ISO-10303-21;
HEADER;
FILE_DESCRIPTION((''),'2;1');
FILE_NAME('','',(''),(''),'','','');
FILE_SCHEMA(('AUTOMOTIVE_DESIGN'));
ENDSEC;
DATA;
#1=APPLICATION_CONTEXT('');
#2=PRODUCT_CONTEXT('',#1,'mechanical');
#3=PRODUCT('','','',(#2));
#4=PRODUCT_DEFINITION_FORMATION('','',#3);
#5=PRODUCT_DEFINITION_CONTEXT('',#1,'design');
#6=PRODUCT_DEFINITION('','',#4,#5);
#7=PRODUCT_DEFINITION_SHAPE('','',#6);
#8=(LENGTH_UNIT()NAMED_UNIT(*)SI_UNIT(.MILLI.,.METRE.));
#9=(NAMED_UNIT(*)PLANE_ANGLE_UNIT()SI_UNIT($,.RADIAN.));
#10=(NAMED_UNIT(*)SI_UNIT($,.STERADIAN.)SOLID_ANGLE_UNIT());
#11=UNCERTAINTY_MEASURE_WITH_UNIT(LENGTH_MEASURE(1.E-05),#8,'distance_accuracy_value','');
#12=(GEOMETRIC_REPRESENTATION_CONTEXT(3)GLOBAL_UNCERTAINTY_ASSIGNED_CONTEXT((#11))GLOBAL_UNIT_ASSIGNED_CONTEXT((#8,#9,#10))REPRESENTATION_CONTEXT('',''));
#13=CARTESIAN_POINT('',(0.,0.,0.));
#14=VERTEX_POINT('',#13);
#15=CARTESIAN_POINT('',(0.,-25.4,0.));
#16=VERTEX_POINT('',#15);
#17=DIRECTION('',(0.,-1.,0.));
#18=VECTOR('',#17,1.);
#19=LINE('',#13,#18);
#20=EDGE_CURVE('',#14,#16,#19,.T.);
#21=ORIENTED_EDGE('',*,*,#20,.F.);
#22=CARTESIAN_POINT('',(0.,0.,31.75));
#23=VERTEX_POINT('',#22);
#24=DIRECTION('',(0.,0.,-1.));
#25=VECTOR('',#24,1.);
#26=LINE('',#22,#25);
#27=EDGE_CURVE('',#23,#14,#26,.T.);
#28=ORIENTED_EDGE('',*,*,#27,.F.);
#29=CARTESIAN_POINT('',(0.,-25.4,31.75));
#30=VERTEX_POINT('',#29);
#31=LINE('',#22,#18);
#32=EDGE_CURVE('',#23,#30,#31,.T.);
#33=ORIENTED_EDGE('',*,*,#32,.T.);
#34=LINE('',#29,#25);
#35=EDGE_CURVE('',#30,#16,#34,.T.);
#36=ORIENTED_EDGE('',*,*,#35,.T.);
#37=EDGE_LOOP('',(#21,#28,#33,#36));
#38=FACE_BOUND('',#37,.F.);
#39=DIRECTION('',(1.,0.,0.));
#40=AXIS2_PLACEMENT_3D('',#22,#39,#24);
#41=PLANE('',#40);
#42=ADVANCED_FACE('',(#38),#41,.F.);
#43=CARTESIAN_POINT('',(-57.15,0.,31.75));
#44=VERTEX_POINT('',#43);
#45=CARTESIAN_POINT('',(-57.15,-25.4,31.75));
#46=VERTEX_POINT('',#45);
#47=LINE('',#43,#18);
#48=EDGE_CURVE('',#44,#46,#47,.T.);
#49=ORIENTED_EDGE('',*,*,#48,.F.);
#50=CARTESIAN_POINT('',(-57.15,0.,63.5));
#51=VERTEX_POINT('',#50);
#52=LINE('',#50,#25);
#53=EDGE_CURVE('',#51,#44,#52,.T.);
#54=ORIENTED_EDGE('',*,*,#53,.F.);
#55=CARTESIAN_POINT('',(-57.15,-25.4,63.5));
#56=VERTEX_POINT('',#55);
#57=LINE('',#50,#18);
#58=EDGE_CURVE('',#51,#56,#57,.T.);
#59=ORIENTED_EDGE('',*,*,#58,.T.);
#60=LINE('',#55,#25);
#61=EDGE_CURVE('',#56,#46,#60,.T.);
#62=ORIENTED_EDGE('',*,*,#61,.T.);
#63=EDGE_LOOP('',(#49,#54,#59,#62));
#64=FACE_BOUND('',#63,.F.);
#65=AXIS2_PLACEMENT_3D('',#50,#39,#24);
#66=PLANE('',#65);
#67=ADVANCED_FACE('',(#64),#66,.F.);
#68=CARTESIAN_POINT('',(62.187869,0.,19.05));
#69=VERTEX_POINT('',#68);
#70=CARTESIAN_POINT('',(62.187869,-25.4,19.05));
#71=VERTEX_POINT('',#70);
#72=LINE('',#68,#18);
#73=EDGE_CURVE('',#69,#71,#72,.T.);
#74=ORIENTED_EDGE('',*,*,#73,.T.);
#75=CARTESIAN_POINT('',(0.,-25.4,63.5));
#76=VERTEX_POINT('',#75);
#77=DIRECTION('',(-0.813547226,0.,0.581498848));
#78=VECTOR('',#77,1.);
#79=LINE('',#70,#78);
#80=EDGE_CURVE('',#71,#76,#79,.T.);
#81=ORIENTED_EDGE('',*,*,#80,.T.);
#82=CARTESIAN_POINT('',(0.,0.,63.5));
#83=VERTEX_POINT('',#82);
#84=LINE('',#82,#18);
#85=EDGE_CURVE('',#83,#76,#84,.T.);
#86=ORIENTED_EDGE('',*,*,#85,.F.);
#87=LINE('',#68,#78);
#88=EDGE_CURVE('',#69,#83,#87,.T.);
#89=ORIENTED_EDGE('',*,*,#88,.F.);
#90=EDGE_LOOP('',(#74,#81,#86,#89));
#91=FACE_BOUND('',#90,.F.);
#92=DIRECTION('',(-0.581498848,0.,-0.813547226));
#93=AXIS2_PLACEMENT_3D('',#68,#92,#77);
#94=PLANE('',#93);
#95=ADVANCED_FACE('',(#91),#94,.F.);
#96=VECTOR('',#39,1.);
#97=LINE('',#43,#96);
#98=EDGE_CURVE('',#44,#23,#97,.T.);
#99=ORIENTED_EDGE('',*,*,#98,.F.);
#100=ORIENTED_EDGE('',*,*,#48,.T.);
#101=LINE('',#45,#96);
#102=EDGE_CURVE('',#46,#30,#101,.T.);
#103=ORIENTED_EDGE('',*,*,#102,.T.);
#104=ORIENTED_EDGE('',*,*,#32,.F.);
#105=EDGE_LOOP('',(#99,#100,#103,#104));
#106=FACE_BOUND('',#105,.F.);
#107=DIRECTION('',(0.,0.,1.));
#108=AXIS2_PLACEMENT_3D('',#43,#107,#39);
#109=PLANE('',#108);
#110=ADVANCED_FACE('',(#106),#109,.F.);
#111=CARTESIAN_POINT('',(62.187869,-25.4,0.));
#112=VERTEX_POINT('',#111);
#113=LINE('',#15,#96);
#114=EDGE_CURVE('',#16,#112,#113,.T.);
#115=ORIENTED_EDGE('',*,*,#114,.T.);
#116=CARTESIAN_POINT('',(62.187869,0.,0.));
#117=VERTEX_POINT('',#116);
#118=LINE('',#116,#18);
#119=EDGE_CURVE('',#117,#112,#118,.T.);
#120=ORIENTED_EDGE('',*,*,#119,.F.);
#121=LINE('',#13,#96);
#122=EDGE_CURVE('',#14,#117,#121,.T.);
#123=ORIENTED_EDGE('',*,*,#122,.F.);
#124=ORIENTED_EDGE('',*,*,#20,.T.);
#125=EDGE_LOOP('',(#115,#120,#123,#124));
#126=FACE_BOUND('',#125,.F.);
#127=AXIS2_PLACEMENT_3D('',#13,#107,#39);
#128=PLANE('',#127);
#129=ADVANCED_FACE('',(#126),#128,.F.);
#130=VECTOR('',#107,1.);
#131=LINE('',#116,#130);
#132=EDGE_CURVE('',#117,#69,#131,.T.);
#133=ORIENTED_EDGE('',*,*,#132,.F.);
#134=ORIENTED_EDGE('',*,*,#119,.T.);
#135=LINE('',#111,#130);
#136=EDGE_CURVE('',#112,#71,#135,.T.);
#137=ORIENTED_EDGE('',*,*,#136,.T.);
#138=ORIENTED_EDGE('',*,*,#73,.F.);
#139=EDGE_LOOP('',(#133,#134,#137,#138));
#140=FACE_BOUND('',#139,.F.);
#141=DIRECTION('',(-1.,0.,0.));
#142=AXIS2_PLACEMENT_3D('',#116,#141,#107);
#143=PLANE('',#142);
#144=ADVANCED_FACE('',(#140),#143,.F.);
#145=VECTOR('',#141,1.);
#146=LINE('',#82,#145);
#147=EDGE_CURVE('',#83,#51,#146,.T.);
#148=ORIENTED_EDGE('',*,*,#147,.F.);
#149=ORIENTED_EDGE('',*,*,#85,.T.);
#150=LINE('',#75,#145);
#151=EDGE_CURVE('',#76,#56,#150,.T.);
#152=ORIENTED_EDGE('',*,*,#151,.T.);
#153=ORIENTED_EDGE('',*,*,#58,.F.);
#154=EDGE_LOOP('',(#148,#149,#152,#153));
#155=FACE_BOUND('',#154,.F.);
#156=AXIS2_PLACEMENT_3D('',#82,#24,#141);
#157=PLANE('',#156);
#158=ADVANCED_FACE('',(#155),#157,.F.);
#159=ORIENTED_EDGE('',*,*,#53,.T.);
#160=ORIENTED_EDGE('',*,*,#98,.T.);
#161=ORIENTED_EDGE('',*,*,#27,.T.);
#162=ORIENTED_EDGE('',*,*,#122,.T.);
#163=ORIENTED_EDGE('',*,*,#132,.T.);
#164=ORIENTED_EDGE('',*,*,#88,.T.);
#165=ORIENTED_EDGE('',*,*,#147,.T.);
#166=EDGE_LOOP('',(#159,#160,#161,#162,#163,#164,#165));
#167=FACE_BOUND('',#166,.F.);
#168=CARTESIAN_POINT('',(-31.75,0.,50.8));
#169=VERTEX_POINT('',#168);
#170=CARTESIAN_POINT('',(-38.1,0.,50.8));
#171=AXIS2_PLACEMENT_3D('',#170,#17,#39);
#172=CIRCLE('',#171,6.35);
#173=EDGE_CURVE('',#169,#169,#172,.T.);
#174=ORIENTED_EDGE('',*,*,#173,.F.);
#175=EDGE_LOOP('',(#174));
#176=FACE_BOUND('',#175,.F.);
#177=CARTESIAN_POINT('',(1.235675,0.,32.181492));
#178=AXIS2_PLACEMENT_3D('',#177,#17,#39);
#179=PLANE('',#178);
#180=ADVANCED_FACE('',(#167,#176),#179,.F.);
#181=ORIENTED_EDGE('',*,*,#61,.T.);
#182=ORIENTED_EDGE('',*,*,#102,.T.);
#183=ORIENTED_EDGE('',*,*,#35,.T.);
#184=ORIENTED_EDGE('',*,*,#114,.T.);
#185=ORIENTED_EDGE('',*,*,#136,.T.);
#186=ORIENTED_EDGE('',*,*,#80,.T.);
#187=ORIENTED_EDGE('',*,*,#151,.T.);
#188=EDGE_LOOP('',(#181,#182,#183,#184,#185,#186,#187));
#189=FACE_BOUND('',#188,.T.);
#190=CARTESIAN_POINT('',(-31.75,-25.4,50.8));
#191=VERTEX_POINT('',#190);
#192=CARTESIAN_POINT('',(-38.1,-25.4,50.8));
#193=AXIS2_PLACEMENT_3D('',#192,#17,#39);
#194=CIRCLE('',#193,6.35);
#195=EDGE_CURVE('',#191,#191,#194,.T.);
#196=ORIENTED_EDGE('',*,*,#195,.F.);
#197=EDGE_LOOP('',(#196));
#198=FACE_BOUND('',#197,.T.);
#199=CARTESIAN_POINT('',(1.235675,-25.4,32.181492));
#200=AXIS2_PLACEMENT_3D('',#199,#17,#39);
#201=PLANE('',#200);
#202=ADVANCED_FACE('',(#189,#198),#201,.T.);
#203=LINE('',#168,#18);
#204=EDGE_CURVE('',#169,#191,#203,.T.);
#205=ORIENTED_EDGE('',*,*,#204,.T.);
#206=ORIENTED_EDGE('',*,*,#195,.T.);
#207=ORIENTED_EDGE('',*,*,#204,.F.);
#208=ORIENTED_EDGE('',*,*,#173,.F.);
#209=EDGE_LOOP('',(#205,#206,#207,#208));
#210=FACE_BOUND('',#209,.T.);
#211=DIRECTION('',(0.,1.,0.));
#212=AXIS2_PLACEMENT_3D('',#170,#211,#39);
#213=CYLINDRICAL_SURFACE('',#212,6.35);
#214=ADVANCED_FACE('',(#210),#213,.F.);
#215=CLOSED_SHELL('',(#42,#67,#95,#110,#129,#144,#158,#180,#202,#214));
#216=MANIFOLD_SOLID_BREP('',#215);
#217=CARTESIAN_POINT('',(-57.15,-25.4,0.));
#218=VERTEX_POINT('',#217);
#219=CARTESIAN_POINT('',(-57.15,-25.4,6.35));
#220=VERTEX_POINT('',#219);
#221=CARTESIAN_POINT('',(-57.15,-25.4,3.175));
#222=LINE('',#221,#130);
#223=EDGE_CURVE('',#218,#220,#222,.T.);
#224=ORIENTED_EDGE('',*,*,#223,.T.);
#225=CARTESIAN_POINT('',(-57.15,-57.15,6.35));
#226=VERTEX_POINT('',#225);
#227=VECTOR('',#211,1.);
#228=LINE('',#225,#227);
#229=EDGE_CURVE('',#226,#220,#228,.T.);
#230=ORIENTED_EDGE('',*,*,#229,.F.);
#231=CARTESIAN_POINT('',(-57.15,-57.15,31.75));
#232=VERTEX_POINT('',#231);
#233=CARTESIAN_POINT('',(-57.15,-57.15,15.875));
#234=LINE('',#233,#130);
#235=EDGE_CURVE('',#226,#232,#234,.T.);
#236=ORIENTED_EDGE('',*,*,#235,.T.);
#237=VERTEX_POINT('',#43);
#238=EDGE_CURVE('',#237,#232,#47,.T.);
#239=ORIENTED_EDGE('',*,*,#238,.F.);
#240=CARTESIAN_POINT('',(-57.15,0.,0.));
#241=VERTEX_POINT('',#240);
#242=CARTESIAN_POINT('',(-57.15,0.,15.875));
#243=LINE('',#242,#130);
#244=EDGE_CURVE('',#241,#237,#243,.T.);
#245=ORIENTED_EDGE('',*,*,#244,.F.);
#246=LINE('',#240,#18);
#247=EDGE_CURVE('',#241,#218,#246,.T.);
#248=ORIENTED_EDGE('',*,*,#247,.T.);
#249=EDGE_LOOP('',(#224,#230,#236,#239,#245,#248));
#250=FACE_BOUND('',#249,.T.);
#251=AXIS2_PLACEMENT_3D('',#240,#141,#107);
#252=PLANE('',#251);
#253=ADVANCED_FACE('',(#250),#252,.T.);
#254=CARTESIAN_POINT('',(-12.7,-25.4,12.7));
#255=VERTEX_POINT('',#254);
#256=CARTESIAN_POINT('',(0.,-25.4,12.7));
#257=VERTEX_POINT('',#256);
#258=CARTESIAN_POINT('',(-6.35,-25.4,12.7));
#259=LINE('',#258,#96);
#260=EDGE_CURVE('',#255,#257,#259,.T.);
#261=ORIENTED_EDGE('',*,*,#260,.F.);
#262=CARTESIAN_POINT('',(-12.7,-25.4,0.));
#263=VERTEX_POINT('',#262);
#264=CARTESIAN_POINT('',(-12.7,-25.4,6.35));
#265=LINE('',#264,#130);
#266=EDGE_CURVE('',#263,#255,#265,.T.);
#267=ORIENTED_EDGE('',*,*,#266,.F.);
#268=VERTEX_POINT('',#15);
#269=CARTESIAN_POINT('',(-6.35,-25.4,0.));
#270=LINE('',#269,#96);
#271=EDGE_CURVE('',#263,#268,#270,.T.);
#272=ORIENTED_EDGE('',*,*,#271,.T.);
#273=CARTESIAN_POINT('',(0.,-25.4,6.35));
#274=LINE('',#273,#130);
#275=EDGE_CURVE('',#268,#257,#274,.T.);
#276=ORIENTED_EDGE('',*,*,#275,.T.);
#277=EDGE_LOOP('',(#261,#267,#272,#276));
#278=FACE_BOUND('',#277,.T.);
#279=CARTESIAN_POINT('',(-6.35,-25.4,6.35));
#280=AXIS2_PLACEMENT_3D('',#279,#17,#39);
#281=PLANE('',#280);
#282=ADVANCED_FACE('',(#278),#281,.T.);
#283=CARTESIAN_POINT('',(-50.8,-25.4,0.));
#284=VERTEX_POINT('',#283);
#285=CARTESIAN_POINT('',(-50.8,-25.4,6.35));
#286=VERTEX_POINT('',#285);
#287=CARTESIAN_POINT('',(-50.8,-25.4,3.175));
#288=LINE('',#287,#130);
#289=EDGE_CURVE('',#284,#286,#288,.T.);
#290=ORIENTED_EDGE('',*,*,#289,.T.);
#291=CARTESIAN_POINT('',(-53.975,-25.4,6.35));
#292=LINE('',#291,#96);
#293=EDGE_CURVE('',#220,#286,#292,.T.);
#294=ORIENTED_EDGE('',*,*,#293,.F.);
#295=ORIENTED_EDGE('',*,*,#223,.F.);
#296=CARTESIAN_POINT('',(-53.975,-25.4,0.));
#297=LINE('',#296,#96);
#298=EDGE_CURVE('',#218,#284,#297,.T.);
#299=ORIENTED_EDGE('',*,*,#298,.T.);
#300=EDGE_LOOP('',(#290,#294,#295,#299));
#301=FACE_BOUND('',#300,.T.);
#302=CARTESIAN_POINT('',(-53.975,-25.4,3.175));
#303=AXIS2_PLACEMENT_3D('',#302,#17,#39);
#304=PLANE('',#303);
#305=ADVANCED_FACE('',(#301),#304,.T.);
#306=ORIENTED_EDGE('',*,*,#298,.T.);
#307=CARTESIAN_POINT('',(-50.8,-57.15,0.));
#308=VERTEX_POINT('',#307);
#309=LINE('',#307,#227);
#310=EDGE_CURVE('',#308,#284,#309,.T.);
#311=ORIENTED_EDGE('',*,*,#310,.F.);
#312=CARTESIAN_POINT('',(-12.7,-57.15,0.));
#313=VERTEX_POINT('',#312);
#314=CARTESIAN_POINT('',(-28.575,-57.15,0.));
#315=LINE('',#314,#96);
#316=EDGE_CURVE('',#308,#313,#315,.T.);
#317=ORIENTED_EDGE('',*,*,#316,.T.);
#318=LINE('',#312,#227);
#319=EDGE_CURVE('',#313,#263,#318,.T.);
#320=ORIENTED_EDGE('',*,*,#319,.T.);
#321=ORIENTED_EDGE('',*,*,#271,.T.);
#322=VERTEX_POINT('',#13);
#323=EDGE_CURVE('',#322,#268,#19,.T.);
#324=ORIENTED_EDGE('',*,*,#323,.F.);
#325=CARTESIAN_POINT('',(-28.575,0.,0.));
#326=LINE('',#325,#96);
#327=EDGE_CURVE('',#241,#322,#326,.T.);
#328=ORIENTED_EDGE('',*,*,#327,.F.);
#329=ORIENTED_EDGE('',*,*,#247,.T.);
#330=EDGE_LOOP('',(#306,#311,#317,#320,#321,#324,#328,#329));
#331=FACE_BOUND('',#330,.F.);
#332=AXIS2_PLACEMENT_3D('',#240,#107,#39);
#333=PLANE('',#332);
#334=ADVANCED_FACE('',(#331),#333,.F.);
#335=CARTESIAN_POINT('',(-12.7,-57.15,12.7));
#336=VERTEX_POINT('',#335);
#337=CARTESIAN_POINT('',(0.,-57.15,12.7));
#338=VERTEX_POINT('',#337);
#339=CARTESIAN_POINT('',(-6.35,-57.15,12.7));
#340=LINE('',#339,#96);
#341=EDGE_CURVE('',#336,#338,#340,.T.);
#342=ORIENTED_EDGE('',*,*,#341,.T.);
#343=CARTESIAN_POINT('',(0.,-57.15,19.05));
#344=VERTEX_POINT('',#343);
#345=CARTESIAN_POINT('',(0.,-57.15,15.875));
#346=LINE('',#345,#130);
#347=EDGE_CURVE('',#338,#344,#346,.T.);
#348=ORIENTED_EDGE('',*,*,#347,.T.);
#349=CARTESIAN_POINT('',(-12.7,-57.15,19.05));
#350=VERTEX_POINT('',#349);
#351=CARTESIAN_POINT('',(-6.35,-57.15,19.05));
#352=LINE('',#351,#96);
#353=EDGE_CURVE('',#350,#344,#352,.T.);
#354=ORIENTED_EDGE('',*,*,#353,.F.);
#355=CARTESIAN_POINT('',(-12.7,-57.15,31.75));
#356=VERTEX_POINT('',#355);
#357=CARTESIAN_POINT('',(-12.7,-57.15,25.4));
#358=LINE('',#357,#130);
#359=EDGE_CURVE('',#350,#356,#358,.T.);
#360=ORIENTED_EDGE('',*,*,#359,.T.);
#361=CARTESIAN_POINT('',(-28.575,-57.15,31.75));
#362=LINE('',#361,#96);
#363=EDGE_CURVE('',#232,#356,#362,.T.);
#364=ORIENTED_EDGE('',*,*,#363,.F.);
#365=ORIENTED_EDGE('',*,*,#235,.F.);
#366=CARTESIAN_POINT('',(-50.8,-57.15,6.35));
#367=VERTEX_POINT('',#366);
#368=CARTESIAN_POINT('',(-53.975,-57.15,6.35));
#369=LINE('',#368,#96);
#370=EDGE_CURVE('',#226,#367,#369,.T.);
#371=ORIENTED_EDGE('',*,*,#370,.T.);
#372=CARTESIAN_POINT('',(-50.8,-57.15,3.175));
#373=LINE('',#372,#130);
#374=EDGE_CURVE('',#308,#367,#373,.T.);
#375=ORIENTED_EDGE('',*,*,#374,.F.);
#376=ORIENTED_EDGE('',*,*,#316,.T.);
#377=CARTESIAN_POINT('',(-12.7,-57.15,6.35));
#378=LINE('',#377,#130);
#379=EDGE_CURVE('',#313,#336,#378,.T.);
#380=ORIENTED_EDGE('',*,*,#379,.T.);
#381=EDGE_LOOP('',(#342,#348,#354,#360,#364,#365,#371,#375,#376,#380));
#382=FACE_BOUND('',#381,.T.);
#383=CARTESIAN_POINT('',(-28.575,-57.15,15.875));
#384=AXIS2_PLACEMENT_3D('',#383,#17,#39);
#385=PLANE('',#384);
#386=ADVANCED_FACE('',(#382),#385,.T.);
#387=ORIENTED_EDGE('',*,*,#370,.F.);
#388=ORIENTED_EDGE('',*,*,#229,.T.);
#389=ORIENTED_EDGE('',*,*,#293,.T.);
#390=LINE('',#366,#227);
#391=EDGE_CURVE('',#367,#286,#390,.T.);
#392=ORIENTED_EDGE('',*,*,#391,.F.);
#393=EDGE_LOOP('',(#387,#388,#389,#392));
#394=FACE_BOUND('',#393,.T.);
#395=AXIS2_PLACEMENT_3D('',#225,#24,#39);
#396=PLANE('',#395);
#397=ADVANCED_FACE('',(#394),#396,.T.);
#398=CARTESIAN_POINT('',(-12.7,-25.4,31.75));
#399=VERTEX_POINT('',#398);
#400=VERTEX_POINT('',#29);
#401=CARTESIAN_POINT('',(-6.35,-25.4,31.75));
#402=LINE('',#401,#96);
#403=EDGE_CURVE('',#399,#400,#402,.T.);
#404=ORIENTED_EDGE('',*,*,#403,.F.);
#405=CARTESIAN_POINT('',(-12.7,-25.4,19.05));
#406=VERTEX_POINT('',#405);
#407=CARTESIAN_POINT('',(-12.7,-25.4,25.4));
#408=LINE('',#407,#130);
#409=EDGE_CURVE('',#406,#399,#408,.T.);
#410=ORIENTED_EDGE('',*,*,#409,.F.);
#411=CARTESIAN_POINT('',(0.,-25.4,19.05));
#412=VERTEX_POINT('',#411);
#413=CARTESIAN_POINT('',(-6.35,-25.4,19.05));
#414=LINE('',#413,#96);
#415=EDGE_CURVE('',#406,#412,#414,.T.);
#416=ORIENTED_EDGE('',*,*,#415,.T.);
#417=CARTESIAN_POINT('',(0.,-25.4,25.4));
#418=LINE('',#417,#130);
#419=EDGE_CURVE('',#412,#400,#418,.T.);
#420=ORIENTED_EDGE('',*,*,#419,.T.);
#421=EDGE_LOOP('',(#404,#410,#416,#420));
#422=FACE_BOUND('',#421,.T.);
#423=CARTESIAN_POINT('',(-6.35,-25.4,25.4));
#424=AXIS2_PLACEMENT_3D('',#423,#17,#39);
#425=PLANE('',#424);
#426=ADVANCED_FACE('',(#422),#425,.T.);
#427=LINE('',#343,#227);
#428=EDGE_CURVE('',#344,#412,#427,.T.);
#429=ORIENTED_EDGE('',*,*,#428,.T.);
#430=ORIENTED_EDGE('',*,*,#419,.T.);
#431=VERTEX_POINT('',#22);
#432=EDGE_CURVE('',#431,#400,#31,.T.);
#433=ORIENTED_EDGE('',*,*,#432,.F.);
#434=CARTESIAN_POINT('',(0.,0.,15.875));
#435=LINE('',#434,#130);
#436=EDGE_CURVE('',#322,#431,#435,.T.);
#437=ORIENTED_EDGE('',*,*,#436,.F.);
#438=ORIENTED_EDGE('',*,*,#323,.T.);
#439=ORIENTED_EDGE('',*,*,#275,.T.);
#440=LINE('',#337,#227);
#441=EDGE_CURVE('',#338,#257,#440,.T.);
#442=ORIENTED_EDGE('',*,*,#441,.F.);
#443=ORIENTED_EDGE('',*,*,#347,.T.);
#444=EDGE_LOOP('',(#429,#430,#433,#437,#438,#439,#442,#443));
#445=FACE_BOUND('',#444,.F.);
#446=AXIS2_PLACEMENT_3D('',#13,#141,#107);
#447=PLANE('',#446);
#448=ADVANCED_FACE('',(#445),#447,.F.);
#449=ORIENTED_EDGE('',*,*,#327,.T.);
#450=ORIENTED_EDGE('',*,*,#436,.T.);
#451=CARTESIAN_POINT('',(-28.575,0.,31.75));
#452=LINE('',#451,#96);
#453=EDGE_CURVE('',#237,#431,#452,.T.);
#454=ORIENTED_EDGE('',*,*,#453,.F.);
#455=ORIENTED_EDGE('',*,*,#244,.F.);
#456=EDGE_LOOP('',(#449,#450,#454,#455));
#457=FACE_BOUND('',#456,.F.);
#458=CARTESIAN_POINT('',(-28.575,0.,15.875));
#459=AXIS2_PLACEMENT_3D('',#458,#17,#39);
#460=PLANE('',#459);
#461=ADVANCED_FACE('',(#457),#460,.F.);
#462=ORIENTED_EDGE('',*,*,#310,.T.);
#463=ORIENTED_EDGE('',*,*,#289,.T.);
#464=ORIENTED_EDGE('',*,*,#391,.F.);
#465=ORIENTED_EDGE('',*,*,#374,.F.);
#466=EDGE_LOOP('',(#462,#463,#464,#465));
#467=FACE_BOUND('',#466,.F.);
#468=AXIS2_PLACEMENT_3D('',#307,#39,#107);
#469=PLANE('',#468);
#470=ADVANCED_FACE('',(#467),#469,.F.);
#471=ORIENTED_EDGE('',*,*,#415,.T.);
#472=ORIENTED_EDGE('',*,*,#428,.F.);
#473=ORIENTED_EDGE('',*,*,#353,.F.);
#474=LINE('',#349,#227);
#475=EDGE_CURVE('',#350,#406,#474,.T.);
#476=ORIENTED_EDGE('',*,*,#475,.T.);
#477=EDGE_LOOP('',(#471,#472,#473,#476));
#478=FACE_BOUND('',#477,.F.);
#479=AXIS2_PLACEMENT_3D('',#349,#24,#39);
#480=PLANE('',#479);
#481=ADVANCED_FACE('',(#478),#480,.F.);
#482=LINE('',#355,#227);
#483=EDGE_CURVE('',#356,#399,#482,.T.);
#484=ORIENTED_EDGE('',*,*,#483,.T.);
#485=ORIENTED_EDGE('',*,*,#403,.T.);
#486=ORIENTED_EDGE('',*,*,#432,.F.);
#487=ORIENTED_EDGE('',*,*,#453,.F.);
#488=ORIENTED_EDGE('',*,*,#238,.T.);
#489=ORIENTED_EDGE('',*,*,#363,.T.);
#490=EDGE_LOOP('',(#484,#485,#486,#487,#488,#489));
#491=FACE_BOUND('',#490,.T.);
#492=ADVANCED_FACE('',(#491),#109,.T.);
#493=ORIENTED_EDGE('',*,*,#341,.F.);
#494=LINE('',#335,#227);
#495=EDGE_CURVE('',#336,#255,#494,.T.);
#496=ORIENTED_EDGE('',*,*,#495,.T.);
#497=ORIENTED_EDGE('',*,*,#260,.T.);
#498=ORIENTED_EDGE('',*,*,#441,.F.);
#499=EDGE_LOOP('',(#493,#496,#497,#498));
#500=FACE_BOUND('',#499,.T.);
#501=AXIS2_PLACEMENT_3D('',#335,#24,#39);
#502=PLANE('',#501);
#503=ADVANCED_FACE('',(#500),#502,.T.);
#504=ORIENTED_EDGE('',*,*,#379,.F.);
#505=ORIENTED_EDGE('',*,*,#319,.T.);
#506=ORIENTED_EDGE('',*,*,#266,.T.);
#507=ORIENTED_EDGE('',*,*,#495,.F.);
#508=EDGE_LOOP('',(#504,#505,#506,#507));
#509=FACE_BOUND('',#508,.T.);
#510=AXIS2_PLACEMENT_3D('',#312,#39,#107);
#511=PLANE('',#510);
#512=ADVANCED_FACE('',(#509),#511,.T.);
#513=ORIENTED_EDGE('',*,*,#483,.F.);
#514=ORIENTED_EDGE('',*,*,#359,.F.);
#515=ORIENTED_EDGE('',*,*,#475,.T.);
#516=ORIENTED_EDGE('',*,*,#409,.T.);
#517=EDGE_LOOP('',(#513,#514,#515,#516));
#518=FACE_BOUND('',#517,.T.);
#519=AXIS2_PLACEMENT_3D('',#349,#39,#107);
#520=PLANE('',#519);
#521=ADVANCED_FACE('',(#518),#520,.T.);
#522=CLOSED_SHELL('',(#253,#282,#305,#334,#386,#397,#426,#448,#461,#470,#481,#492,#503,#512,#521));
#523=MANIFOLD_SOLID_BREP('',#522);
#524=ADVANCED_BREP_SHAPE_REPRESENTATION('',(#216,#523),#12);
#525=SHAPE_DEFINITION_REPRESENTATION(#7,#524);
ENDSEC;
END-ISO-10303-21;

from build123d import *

# Parameters (mm, degrees)
F0_R     = 6.35
F1_DEPTH = 25.4
F0_W     = 57.15
F0_H     = 31.75
F2_DEPTH = 57.15
F3_W     = 6.35
F3_H     = 6.35
F3_W_2   = 12.7
F3_H_2   = 12.7
F4_DEPTH = 31.75


with BuildPart() as f1:
    # F0 (on Front) → F1 (new body)
    with BuildSketch(Plane.XZ):
        Polygon((-57.15, 63.5), (-57.15, 31.75), (0, 31.75), (0, 0), (62.187869, 0), (62.187869, 19.05), (0, 63.5), align=None)
        with Locations((-38.1, 50.8)):
            Circle(F0_R, mode=Mode.SUBTRACT)
    extrude(amount=F1_DEPTH)


with BuildPart() as f2:
    # F0 (on Front) → F2 (new body)
    with BuildSketch(Plane.XZ):
        with Locations((-28.575, 15.875)):
            Rectangle(F0_W, F0_H)
    extrude(amount=F2_DEPTH)

    # F3 (on face) → F4 (cut)
    with BuildSketch(Plane.XZ.offset(57.15)):
        with Locations((-53.975, 3.175)):
            Rectangle(F3_W, F3_H)
        with Locations((-6.35, 25.4)):
            Rectangle(F3_W_2, F3_H_2)
        with Locations((-6.35, 6.35)):
            Rectangle(F3_W_2, F3_H_2)
    extrude(amount=-F4_DEPTH, mode=Mode.SUBTRACT)


solid = Compound([f1.part, f2.part])
